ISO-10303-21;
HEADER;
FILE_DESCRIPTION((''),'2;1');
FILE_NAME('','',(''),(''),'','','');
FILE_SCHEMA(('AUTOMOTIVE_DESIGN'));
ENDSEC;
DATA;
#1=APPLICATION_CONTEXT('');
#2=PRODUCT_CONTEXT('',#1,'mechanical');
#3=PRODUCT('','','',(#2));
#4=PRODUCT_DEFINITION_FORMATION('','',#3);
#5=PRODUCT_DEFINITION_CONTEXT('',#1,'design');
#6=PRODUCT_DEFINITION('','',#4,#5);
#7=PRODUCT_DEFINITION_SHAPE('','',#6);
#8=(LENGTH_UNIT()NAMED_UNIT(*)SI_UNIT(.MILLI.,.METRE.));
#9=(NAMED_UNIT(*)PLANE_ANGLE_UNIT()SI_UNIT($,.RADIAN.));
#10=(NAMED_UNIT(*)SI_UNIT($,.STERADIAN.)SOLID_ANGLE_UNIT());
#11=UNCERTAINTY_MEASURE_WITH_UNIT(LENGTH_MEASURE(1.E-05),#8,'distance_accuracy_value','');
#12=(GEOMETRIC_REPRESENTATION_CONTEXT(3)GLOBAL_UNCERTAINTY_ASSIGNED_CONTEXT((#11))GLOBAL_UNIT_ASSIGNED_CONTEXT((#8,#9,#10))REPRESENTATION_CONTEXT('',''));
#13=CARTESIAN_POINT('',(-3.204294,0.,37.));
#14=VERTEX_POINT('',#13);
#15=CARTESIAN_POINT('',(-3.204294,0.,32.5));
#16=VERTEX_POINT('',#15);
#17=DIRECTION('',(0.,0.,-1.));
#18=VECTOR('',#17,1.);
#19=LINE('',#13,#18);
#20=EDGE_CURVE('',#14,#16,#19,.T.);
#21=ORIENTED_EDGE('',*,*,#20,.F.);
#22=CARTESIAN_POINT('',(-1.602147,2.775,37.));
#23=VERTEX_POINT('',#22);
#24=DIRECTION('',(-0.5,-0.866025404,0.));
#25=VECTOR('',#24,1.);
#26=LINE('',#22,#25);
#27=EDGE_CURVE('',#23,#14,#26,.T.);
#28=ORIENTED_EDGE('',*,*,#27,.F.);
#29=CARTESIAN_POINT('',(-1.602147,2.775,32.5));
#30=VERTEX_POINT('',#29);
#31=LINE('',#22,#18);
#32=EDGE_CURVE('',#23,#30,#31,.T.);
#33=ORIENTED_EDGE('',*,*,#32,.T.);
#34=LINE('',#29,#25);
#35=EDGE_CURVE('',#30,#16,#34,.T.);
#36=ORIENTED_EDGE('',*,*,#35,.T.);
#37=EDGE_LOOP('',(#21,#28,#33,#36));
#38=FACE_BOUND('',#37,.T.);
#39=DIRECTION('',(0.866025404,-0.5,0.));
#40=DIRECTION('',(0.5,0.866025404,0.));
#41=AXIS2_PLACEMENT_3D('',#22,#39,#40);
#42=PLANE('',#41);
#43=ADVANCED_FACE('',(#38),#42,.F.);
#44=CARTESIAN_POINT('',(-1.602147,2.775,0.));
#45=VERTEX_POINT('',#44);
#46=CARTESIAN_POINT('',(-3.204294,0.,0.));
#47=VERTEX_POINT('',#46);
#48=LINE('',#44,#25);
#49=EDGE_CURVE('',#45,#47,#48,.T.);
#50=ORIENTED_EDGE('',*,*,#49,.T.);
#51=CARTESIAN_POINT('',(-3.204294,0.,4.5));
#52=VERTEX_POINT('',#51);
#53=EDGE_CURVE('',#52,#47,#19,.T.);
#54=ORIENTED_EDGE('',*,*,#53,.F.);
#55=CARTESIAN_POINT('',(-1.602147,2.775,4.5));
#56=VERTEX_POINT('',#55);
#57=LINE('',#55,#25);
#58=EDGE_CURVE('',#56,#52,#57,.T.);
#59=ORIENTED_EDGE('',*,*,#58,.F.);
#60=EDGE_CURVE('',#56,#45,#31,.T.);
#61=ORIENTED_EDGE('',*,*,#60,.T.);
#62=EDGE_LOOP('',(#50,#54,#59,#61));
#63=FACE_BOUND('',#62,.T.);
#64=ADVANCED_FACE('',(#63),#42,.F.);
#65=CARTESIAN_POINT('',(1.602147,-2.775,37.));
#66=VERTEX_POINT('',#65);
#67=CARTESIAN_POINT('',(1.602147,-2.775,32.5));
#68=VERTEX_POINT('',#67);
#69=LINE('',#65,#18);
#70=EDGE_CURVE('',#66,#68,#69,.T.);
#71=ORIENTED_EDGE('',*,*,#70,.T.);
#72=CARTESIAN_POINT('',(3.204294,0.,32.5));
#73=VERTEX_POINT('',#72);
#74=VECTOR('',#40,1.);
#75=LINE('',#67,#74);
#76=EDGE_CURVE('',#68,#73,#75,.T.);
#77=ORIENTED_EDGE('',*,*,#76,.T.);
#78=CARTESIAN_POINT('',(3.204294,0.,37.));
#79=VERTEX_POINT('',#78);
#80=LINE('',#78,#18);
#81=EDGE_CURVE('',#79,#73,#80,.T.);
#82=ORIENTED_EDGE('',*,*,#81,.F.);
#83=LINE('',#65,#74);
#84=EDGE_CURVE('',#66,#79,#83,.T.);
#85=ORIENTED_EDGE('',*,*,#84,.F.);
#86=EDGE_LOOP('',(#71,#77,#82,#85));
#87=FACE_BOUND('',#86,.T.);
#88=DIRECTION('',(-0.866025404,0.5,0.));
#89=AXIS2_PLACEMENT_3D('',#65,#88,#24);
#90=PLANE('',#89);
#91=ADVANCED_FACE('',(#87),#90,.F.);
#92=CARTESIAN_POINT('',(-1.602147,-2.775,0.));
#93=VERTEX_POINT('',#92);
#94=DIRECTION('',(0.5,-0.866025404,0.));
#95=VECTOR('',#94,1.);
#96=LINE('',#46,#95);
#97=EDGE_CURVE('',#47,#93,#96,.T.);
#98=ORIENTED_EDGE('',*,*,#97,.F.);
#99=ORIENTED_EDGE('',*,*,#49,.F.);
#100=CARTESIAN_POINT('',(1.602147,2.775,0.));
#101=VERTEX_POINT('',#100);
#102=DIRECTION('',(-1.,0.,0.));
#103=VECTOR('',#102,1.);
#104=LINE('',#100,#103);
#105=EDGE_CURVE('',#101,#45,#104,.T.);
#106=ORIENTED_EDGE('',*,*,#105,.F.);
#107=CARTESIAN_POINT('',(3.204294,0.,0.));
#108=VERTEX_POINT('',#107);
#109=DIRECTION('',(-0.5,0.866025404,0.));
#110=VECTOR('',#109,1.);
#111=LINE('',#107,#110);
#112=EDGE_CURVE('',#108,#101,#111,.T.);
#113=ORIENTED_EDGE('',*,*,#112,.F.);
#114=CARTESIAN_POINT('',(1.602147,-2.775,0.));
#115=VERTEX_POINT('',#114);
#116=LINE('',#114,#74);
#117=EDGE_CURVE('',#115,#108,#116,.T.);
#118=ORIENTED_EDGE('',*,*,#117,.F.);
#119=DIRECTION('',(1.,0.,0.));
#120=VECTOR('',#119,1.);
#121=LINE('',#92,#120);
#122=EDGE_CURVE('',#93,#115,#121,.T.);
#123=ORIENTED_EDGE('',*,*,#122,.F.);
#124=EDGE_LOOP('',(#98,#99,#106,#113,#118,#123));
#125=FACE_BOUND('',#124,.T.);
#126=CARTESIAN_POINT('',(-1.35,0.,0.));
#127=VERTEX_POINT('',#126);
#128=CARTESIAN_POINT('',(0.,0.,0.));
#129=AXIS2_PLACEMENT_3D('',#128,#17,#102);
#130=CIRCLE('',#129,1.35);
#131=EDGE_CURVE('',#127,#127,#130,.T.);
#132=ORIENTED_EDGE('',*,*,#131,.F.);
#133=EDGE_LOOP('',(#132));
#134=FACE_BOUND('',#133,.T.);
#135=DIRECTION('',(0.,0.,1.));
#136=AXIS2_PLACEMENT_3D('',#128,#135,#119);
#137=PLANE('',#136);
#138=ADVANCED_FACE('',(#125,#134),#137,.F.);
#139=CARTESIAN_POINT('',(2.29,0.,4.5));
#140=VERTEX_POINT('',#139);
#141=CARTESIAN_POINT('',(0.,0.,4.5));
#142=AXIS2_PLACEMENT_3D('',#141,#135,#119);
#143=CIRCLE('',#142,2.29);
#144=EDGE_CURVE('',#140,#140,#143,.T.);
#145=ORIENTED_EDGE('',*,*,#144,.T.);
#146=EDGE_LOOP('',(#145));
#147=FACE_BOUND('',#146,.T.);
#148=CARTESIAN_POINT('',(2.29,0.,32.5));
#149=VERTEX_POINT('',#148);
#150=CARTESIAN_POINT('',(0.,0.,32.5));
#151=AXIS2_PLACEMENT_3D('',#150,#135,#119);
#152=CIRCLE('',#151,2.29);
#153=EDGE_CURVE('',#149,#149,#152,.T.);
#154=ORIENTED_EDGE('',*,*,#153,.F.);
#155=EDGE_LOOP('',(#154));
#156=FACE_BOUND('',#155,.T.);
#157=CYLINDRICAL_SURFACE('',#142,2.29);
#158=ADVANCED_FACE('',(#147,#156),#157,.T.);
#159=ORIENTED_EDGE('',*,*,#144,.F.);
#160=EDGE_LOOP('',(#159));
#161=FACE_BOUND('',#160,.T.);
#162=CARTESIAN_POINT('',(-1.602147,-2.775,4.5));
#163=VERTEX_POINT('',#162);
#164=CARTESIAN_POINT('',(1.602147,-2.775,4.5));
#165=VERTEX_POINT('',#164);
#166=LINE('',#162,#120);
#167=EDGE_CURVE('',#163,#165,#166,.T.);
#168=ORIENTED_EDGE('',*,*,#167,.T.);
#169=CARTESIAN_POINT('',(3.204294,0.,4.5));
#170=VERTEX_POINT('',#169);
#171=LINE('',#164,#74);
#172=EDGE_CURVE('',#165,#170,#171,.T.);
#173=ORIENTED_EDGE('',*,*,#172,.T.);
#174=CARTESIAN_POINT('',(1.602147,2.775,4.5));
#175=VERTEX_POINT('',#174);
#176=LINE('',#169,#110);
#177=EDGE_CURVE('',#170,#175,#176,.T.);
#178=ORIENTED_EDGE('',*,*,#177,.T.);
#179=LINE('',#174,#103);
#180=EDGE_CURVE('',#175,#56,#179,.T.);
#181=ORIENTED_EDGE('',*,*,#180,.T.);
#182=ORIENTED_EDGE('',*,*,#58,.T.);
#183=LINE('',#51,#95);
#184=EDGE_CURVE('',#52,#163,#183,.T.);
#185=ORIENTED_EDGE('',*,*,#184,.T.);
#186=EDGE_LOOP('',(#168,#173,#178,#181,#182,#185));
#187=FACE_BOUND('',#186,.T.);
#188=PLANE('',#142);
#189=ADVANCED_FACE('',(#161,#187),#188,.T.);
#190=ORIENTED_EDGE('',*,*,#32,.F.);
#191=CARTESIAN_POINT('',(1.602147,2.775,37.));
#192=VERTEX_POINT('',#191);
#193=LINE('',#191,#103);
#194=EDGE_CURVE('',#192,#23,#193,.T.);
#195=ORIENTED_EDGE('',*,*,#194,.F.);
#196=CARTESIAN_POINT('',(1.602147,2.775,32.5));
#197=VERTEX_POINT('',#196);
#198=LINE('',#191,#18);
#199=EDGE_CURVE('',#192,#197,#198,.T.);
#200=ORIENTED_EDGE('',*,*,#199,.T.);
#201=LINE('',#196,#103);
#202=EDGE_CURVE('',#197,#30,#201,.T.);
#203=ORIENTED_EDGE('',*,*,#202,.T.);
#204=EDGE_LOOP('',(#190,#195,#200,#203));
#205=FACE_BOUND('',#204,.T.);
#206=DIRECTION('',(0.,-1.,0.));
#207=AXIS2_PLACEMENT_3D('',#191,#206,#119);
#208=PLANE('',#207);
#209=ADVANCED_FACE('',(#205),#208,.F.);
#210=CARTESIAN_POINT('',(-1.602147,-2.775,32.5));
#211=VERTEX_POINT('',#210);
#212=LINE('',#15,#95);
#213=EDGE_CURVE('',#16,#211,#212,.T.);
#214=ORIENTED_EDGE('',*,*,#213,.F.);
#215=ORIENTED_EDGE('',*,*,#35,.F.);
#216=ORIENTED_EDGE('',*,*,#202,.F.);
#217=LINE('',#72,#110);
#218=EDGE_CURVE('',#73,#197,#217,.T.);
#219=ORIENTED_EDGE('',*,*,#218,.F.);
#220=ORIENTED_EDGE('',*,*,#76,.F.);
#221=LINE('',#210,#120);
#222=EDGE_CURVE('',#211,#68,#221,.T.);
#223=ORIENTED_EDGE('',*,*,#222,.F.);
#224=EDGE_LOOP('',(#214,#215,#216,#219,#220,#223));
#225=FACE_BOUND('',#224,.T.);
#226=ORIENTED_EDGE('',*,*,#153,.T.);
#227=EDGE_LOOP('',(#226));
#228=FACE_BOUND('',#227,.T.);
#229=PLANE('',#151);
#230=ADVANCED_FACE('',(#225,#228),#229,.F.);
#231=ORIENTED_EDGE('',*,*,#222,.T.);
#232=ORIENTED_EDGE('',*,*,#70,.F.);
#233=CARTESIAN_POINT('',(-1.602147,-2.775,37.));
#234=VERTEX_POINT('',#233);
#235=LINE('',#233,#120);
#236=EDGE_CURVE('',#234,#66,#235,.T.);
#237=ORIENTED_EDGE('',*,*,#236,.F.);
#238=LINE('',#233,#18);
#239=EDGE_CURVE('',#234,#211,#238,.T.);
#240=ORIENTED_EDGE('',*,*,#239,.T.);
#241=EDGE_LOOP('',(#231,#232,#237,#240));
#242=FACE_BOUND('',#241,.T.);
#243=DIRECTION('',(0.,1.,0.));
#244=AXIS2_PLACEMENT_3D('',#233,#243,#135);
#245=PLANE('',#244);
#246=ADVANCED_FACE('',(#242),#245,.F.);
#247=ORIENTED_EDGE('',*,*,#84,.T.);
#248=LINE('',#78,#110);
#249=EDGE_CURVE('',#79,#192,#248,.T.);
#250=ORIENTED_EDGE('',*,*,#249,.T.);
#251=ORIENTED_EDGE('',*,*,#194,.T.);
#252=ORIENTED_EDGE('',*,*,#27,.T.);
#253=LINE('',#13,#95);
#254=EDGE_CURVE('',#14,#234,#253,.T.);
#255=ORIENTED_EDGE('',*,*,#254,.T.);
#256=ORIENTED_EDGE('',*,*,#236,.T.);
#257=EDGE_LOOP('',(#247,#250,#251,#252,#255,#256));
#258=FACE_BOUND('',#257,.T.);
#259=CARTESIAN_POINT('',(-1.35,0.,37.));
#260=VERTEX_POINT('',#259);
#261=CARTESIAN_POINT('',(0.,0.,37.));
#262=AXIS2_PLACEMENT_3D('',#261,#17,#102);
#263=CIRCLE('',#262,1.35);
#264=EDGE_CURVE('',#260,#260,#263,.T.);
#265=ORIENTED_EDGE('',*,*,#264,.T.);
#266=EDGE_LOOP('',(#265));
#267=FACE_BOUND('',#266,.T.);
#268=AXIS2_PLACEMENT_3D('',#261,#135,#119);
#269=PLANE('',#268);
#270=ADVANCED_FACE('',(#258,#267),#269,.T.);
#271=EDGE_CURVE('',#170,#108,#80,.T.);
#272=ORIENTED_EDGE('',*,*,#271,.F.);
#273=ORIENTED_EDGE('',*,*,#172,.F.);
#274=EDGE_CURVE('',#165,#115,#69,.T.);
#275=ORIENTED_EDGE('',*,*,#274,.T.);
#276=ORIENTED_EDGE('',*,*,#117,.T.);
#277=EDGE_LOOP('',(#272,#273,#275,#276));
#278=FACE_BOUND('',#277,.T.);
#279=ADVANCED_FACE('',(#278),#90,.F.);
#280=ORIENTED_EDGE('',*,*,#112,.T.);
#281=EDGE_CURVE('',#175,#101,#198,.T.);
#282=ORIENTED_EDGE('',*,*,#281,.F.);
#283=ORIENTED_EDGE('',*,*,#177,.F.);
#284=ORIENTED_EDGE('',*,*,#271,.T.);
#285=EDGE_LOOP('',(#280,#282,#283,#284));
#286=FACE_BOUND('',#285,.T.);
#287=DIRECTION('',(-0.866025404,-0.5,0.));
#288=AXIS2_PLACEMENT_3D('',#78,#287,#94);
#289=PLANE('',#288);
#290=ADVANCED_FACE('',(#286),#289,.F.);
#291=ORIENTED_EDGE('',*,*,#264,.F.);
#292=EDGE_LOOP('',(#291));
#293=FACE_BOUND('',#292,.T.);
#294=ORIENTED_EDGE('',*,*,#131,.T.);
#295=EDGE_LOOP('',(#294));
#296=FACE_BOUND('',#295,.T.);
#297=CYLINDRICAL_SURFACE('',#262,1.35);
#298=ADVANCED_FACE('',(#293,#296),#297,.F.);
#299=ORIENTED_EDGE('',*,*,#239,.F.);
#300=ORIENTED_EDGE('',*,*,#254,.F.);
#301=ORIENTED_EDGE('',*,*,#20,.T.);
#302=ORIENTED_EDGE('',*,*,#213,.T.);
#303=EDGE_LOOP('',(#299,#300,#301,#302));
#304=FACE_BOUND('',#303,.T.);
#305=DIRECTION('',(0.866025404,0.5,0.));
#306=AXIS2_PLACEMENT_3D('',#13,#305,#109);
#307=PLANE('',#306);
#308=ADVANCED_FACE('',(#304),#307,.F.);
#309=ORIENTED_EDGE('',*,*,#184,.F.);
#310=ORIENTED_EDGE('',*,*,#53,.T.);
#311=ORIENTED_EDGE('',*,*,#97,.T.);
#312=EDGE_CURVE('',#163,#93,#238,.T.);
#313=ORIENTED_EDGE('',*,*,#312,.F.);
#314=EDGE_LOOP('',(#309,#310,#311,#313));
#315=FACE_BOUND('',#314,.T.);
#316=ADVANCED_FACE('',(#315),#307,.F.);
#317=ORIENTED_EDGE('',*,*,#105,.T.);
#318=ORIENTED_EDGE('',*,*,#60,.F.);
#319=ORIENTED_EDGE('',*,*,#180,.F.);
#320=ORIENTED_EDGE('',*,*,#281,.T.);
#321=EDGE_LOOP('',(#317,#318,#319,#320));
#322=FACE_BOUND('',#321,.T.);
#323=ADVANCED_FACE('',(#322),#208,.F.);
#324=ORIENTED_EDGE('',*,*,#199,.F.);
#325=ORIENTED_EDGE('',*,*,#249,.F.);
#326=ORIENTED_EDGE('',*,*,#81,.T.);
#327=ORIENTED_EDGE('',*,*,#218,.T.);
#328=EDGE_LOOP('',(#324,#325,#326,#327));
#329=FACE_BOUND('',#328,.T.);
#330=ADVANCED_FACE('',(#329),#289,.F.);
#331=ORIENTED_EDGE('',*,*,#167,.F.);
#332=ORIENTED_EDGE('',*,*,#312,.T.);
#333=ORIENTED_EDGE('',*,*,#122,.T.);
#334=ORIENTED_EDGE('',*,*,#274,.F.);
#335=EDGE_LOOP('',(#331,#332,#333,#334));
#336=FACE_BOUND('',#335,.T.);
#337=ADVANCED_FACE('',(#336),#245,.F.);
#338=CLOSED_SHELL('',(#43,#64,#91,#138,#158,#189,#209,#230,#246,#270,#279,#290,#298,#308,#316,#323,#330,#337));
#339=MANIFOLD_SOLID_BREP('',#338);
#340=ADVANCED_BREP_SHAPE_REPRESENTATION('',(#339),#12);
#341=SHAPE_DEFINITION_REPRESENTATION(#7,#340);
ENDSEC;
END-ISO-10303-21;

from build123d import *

# Parameters (mm, degrees)
Y_KSEKLIK_EKSTR_ZYON1_DEPTH = 37
KES_EKSTR_ZYON1_START       = -4.5
IZIM2_R                     = 3.29
IZIM2_R_2                   = 2.29
KES_EKSTR_ZYON1_DEPTH       = 28
IZIM3_R                     = 1.35
KES_EKSTR_ZYON2_DEPTH       = 38.242020958


with BuildPart() as part:
    # Çizim1 → Yükseklik-Ekstrüzyon1 (new body)
    with BuildSketch(Plane.XY):
        Polygon((1.602146997, -2.775), (3.204293994, 0), (1.602146997, 2.775), (-1.602146997, 2.775), (-3.204293994, 0), (-1.602146997, -2.775), align=None)
    extrude(amount=Y_KSEKLIK_EKSTR_ZYON1_DEPTH)

    # Çizim2 → Kes-Ekstrüzyon1 (cut)
    with BuildSketch(Plane.XY.offset(37).offset(KES_EKSTR_ZYON1_START)):
        Circle(IZIM2_R)
        Circle(IZIM2_R_2, mode=Mode.SUBTRACT)
    extrude(amount=-KES_EKSTR_ZYON1_DEPTH, mode=Mode.SUBTRACT)

    # Çizim3 → Kes-Ekstrüzyon2 (cut, through all)
    with BuildSketch(Plane(origin=(0, 0, 0), x_dir=(-1, 0, 0), z_dir=(0, 0, -1))):
        Circle(IZIM3_R)
    extrude(amount=-KES_EKSTR_ZYON2_DEPTH, mode=Mode.SUBTRACT)


solid = part.part
